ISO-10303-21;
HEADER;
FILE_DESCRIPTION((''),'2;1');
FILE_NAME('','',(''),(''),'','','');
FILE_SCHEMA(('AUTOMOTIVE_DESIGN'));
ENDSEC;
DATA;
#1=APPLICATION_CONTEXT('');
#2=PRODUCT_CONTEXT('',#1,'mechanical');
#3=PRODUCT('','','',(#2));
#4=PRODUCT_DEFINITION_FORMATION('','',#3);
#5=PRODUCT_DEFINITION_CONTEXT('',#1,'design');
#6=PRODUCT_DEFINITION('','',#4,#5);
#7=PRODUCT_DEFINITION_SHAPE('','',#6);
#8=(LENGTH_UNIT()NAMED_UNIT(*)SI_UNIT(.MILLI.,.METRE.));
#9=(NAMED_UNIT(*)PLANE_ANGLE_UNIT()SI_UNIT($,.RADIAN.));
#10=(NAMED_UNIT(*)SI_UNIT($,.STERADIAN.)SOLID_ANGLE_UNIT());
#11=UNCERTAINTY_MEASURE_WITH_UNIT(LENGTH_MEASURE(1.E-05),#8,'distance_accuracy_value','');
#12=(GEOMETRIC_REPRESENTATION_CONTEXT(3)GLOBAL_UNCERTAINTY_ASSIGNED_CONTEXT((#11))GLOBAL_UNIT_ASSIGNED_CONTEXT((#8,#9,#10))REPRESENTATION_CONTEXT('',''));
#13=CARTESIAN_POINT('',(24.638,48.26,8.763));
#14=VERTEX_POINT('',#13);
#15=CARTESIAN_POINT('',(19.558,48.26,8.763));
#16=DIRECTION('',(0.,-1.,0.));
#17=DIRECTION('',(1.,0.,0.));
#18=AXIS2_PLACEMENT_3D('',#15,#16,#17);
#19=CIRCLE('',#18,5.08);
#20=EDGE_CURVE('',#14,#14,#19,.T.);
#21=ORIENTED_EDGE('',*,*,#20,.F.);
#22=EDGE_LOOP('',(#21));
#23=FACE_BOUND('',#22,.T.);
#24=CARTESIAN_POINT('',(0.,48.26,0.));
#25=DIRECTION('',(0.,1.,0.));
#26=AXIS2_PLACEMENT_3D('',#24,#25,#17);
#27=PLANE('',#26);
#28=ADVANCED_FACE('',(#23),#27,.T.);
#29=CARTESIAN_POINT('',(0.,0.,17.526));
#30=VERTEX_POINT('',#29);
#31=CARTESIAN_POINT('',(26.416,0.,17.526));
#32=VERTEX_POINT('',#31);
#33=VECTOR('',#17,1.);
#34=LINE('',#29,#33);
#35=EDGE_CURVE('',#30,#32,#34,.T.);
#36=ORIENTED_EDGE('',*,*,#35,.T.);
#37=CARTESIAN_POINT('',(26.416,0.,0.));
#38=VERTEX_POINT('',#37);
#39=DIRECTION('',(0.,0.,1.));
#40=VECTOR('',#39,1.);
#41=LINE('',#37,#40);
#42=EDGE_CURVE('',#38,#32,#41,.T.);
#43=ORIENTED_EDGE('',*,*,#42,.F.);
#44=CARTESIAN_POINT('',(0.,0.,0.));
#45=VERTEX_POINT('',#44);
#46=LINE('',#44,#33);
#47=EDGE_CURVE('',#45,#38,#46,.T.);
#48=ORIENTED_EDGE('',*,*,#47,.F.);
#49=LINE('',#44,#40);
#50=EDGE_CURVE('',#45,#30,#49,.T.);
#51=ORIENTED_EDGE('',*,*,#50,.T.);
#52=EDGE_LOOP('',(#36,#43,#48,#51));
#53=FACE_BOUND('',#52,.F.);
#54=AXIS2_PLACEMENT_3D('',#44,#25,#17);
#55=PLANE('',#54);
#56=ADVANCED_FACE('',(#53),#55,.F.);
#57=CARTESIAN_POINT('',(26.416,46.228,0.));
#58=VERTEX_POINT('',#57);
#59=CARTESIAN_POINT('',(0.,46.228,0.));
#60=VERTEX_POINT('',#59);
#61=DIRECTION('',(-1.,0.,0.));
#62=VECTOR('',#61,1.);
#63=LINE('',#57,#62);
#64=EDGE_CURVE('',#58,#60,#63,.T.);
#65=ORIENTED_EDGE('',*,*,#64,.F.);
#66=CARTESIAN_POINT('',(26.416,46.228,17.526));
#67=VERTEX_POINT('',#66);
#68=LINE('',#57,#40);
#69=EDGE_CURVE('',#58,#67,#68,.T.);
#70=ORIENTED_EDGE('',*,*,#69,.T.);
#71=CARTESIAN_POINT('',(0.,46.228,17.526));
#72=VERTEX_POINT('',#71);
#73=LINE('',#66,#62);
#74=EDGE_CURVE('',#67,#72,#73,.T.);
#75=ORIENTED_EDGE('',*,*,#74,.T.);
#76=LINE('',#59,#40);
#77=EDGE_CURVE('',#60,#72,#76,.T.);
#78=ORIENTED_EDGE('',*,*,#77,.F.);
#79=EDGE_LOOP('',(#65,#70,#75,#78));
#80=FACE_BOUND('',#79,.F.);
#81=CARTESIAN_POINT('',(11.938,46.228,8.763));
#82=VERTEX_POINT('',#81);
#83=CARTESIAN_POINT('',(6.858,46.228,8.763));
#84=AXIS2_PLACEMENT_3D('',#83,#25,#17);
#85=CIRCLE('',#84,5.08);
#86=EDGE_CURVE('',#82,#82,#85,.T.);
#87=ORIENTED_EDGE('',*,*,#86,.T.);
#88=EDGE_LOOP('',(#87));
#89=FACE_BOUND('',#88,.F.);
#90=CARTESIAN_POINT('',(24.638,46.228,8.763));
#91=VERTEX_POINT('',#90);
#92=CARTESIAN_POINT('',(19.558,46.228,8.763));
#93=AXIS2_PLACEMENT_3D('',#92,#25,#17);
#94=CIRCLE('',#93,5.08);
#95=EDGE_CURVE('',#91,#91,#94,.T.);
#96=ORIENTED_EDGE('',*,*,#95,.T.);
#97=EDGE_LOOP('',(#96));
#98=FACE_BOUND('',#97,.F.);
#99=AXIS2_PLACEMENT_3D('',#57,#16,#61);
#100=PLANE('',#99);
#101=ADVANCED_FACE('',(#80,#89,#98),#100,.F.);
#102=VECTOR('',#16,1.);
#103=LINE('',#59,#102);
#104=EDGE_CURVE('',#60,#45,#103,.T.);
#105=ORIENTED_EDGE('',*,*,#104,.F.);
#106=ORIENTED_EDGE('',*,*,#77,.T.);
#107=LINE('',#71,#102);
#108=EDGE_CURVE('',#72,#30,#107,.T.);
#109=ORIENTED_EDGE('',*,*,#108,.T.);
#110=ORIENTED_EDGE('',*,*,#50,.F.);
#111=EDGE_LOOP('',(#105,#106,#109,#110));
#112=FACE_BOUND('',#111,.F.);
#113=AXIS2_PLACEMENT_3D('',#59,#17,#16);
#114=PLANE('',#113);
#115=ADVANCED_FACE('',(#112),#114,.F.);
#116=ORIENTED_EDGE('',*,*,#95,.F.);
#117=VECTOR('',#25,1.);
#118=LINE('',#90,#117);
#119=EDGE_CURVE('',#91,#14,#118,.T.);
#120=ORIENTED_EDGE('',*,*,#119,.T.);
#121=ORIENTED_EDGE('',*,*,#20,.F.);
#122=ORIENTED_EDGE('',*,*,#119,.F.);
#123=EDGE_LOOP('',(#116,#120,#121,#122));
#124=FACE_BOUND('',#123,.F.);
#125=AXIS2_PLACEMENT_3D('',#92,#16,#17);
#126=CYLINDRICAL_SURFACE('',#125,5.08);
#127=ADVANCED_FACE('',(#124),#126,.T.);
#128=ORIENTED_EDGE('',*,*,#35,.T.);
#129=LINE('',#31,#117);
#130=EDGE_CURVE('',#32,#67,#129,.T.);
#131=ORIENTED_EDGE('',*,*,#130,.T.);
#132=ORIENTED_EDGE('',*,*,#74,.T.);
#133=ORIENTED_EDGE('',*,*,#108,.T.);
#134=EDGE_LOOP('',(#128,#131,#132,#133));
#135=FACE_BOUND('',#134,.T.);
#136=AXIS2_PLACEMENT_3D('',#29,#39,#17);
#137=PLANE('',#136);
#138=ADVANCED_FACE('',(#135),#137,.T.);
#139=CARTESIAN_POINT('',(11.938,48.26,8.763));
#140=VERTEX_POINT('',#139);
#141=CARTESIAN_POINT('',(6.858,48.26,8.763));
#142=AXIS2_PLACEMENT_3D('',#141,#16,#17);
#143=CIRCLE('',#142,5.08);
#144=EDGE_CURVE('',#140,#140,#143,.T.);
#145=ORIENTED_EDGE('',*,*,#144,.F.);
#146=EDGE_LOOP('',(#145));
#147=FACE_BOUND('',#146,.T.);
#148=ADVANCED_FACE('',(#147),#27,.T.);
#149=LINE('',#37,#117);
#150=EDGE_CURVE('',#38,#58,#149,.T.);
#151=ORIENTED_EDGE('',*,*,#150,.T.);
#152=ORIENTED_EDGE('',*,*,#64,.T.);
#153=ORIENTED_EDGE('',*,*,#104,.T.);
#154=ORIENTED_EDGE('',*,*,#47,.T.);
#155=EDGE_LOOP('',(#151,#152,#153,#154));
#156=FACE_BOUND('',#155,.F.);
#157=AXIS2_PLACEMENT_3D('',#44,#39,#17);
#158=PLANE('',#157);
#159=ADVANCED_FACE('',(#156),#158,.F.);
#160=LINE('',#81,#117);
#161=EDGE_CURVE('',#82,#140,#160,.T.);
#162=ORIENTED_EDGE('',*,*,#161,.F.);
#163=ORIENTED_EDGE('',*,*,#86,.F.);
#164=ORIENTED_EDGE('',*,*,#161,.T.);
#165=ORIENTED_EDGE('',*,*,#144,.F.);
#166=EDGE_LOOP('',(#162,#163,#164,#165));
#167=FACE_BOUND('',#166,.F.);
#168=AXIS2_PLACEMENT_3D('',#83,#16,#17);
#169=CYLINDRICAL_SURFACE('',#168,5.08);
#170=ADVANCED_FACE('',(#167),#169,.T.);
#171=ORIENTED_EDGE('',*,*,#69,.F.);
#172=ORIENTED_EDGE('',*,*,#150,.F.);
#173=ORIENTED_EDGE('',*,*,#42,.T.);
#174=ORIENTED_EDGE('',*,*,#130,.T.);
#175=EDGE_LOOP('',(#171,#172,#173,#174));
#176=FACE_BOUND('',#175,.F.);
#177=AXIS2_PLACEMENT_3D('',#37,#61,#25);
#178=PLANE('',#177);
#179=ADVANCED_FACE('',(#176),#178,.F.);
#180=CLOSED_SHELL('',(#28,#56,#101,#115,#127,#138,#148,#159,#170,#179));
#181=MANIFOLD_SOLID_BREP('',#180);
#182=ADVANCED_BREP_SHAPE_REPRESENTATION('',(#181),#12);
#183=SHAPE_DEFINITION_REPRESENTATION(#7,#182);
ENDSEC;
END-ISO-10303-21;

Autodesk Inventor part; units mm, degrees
ref_plane "YZ Plane" through (0, 0, 0) normal (1, 0, 0) x (0, 1, 0)
ref_plane "XZ Plane" through (0, 0, 0) normal (0, 1, 0) x (-1, 0, 0)
ref_plane "XY Plane" through (0, 0, 0) normal (0, 0, 1) x (1, 0, 0)
sketch "Sketch1" plane through (0, 0, 0) normal (0, 0, 1) x (1, 0, 0)
  line L0 (0, 0) -> (26.416, 0)
  line L1 (26.416, 0) -> (26.416, 46.228)
  line L2 (26.416, 46.228) -> (0, 46.228)
  line L3 (0, 46.228) -> (0, 0)
  dimension "d0" = 26.416
  dimension "d1" = 46.228
extrude "Extrusion1" add sketch "Sketch1" along normal blind 17.526
sketch "Sketch2" plane through (0, 46.228, 0) normal (0, 1, 0) x (1, 0, 0)
  line L0 (26.416, 0) -> (0, 0) projected
  line L1 (0, 0) -> (6.858, 0)
  line L2 (26.416, 0) -> (19.558, 0)
  line L3 (6.858, 0) -> (6.858, -8.763)
  line L4 (19.558, 0) -> (19.558, -8.763)
  line L5 (6.858, -8.763) -> (19.558, -8.763)
  circle A0 centre (6.858, -8.763) radius 5.08
  circle A1 centre (19.558, -8.763) radius 5.08
  dimension "d4" = 6.858
  dimension "d5" = 6.858
  dimension "d6" = 8.763
  dimension "d7" = 8.763
  dimension "d8" = 10.16
  dimension "d9" = 10.16
extrude "Extrusion2" add sketch "Sketch2" along normal blind 2.032 contours A1 L5 L4 | L4 L5 A1 | A0 L5 L3 | L3 L5 A0
properties part number "PowerSource"
